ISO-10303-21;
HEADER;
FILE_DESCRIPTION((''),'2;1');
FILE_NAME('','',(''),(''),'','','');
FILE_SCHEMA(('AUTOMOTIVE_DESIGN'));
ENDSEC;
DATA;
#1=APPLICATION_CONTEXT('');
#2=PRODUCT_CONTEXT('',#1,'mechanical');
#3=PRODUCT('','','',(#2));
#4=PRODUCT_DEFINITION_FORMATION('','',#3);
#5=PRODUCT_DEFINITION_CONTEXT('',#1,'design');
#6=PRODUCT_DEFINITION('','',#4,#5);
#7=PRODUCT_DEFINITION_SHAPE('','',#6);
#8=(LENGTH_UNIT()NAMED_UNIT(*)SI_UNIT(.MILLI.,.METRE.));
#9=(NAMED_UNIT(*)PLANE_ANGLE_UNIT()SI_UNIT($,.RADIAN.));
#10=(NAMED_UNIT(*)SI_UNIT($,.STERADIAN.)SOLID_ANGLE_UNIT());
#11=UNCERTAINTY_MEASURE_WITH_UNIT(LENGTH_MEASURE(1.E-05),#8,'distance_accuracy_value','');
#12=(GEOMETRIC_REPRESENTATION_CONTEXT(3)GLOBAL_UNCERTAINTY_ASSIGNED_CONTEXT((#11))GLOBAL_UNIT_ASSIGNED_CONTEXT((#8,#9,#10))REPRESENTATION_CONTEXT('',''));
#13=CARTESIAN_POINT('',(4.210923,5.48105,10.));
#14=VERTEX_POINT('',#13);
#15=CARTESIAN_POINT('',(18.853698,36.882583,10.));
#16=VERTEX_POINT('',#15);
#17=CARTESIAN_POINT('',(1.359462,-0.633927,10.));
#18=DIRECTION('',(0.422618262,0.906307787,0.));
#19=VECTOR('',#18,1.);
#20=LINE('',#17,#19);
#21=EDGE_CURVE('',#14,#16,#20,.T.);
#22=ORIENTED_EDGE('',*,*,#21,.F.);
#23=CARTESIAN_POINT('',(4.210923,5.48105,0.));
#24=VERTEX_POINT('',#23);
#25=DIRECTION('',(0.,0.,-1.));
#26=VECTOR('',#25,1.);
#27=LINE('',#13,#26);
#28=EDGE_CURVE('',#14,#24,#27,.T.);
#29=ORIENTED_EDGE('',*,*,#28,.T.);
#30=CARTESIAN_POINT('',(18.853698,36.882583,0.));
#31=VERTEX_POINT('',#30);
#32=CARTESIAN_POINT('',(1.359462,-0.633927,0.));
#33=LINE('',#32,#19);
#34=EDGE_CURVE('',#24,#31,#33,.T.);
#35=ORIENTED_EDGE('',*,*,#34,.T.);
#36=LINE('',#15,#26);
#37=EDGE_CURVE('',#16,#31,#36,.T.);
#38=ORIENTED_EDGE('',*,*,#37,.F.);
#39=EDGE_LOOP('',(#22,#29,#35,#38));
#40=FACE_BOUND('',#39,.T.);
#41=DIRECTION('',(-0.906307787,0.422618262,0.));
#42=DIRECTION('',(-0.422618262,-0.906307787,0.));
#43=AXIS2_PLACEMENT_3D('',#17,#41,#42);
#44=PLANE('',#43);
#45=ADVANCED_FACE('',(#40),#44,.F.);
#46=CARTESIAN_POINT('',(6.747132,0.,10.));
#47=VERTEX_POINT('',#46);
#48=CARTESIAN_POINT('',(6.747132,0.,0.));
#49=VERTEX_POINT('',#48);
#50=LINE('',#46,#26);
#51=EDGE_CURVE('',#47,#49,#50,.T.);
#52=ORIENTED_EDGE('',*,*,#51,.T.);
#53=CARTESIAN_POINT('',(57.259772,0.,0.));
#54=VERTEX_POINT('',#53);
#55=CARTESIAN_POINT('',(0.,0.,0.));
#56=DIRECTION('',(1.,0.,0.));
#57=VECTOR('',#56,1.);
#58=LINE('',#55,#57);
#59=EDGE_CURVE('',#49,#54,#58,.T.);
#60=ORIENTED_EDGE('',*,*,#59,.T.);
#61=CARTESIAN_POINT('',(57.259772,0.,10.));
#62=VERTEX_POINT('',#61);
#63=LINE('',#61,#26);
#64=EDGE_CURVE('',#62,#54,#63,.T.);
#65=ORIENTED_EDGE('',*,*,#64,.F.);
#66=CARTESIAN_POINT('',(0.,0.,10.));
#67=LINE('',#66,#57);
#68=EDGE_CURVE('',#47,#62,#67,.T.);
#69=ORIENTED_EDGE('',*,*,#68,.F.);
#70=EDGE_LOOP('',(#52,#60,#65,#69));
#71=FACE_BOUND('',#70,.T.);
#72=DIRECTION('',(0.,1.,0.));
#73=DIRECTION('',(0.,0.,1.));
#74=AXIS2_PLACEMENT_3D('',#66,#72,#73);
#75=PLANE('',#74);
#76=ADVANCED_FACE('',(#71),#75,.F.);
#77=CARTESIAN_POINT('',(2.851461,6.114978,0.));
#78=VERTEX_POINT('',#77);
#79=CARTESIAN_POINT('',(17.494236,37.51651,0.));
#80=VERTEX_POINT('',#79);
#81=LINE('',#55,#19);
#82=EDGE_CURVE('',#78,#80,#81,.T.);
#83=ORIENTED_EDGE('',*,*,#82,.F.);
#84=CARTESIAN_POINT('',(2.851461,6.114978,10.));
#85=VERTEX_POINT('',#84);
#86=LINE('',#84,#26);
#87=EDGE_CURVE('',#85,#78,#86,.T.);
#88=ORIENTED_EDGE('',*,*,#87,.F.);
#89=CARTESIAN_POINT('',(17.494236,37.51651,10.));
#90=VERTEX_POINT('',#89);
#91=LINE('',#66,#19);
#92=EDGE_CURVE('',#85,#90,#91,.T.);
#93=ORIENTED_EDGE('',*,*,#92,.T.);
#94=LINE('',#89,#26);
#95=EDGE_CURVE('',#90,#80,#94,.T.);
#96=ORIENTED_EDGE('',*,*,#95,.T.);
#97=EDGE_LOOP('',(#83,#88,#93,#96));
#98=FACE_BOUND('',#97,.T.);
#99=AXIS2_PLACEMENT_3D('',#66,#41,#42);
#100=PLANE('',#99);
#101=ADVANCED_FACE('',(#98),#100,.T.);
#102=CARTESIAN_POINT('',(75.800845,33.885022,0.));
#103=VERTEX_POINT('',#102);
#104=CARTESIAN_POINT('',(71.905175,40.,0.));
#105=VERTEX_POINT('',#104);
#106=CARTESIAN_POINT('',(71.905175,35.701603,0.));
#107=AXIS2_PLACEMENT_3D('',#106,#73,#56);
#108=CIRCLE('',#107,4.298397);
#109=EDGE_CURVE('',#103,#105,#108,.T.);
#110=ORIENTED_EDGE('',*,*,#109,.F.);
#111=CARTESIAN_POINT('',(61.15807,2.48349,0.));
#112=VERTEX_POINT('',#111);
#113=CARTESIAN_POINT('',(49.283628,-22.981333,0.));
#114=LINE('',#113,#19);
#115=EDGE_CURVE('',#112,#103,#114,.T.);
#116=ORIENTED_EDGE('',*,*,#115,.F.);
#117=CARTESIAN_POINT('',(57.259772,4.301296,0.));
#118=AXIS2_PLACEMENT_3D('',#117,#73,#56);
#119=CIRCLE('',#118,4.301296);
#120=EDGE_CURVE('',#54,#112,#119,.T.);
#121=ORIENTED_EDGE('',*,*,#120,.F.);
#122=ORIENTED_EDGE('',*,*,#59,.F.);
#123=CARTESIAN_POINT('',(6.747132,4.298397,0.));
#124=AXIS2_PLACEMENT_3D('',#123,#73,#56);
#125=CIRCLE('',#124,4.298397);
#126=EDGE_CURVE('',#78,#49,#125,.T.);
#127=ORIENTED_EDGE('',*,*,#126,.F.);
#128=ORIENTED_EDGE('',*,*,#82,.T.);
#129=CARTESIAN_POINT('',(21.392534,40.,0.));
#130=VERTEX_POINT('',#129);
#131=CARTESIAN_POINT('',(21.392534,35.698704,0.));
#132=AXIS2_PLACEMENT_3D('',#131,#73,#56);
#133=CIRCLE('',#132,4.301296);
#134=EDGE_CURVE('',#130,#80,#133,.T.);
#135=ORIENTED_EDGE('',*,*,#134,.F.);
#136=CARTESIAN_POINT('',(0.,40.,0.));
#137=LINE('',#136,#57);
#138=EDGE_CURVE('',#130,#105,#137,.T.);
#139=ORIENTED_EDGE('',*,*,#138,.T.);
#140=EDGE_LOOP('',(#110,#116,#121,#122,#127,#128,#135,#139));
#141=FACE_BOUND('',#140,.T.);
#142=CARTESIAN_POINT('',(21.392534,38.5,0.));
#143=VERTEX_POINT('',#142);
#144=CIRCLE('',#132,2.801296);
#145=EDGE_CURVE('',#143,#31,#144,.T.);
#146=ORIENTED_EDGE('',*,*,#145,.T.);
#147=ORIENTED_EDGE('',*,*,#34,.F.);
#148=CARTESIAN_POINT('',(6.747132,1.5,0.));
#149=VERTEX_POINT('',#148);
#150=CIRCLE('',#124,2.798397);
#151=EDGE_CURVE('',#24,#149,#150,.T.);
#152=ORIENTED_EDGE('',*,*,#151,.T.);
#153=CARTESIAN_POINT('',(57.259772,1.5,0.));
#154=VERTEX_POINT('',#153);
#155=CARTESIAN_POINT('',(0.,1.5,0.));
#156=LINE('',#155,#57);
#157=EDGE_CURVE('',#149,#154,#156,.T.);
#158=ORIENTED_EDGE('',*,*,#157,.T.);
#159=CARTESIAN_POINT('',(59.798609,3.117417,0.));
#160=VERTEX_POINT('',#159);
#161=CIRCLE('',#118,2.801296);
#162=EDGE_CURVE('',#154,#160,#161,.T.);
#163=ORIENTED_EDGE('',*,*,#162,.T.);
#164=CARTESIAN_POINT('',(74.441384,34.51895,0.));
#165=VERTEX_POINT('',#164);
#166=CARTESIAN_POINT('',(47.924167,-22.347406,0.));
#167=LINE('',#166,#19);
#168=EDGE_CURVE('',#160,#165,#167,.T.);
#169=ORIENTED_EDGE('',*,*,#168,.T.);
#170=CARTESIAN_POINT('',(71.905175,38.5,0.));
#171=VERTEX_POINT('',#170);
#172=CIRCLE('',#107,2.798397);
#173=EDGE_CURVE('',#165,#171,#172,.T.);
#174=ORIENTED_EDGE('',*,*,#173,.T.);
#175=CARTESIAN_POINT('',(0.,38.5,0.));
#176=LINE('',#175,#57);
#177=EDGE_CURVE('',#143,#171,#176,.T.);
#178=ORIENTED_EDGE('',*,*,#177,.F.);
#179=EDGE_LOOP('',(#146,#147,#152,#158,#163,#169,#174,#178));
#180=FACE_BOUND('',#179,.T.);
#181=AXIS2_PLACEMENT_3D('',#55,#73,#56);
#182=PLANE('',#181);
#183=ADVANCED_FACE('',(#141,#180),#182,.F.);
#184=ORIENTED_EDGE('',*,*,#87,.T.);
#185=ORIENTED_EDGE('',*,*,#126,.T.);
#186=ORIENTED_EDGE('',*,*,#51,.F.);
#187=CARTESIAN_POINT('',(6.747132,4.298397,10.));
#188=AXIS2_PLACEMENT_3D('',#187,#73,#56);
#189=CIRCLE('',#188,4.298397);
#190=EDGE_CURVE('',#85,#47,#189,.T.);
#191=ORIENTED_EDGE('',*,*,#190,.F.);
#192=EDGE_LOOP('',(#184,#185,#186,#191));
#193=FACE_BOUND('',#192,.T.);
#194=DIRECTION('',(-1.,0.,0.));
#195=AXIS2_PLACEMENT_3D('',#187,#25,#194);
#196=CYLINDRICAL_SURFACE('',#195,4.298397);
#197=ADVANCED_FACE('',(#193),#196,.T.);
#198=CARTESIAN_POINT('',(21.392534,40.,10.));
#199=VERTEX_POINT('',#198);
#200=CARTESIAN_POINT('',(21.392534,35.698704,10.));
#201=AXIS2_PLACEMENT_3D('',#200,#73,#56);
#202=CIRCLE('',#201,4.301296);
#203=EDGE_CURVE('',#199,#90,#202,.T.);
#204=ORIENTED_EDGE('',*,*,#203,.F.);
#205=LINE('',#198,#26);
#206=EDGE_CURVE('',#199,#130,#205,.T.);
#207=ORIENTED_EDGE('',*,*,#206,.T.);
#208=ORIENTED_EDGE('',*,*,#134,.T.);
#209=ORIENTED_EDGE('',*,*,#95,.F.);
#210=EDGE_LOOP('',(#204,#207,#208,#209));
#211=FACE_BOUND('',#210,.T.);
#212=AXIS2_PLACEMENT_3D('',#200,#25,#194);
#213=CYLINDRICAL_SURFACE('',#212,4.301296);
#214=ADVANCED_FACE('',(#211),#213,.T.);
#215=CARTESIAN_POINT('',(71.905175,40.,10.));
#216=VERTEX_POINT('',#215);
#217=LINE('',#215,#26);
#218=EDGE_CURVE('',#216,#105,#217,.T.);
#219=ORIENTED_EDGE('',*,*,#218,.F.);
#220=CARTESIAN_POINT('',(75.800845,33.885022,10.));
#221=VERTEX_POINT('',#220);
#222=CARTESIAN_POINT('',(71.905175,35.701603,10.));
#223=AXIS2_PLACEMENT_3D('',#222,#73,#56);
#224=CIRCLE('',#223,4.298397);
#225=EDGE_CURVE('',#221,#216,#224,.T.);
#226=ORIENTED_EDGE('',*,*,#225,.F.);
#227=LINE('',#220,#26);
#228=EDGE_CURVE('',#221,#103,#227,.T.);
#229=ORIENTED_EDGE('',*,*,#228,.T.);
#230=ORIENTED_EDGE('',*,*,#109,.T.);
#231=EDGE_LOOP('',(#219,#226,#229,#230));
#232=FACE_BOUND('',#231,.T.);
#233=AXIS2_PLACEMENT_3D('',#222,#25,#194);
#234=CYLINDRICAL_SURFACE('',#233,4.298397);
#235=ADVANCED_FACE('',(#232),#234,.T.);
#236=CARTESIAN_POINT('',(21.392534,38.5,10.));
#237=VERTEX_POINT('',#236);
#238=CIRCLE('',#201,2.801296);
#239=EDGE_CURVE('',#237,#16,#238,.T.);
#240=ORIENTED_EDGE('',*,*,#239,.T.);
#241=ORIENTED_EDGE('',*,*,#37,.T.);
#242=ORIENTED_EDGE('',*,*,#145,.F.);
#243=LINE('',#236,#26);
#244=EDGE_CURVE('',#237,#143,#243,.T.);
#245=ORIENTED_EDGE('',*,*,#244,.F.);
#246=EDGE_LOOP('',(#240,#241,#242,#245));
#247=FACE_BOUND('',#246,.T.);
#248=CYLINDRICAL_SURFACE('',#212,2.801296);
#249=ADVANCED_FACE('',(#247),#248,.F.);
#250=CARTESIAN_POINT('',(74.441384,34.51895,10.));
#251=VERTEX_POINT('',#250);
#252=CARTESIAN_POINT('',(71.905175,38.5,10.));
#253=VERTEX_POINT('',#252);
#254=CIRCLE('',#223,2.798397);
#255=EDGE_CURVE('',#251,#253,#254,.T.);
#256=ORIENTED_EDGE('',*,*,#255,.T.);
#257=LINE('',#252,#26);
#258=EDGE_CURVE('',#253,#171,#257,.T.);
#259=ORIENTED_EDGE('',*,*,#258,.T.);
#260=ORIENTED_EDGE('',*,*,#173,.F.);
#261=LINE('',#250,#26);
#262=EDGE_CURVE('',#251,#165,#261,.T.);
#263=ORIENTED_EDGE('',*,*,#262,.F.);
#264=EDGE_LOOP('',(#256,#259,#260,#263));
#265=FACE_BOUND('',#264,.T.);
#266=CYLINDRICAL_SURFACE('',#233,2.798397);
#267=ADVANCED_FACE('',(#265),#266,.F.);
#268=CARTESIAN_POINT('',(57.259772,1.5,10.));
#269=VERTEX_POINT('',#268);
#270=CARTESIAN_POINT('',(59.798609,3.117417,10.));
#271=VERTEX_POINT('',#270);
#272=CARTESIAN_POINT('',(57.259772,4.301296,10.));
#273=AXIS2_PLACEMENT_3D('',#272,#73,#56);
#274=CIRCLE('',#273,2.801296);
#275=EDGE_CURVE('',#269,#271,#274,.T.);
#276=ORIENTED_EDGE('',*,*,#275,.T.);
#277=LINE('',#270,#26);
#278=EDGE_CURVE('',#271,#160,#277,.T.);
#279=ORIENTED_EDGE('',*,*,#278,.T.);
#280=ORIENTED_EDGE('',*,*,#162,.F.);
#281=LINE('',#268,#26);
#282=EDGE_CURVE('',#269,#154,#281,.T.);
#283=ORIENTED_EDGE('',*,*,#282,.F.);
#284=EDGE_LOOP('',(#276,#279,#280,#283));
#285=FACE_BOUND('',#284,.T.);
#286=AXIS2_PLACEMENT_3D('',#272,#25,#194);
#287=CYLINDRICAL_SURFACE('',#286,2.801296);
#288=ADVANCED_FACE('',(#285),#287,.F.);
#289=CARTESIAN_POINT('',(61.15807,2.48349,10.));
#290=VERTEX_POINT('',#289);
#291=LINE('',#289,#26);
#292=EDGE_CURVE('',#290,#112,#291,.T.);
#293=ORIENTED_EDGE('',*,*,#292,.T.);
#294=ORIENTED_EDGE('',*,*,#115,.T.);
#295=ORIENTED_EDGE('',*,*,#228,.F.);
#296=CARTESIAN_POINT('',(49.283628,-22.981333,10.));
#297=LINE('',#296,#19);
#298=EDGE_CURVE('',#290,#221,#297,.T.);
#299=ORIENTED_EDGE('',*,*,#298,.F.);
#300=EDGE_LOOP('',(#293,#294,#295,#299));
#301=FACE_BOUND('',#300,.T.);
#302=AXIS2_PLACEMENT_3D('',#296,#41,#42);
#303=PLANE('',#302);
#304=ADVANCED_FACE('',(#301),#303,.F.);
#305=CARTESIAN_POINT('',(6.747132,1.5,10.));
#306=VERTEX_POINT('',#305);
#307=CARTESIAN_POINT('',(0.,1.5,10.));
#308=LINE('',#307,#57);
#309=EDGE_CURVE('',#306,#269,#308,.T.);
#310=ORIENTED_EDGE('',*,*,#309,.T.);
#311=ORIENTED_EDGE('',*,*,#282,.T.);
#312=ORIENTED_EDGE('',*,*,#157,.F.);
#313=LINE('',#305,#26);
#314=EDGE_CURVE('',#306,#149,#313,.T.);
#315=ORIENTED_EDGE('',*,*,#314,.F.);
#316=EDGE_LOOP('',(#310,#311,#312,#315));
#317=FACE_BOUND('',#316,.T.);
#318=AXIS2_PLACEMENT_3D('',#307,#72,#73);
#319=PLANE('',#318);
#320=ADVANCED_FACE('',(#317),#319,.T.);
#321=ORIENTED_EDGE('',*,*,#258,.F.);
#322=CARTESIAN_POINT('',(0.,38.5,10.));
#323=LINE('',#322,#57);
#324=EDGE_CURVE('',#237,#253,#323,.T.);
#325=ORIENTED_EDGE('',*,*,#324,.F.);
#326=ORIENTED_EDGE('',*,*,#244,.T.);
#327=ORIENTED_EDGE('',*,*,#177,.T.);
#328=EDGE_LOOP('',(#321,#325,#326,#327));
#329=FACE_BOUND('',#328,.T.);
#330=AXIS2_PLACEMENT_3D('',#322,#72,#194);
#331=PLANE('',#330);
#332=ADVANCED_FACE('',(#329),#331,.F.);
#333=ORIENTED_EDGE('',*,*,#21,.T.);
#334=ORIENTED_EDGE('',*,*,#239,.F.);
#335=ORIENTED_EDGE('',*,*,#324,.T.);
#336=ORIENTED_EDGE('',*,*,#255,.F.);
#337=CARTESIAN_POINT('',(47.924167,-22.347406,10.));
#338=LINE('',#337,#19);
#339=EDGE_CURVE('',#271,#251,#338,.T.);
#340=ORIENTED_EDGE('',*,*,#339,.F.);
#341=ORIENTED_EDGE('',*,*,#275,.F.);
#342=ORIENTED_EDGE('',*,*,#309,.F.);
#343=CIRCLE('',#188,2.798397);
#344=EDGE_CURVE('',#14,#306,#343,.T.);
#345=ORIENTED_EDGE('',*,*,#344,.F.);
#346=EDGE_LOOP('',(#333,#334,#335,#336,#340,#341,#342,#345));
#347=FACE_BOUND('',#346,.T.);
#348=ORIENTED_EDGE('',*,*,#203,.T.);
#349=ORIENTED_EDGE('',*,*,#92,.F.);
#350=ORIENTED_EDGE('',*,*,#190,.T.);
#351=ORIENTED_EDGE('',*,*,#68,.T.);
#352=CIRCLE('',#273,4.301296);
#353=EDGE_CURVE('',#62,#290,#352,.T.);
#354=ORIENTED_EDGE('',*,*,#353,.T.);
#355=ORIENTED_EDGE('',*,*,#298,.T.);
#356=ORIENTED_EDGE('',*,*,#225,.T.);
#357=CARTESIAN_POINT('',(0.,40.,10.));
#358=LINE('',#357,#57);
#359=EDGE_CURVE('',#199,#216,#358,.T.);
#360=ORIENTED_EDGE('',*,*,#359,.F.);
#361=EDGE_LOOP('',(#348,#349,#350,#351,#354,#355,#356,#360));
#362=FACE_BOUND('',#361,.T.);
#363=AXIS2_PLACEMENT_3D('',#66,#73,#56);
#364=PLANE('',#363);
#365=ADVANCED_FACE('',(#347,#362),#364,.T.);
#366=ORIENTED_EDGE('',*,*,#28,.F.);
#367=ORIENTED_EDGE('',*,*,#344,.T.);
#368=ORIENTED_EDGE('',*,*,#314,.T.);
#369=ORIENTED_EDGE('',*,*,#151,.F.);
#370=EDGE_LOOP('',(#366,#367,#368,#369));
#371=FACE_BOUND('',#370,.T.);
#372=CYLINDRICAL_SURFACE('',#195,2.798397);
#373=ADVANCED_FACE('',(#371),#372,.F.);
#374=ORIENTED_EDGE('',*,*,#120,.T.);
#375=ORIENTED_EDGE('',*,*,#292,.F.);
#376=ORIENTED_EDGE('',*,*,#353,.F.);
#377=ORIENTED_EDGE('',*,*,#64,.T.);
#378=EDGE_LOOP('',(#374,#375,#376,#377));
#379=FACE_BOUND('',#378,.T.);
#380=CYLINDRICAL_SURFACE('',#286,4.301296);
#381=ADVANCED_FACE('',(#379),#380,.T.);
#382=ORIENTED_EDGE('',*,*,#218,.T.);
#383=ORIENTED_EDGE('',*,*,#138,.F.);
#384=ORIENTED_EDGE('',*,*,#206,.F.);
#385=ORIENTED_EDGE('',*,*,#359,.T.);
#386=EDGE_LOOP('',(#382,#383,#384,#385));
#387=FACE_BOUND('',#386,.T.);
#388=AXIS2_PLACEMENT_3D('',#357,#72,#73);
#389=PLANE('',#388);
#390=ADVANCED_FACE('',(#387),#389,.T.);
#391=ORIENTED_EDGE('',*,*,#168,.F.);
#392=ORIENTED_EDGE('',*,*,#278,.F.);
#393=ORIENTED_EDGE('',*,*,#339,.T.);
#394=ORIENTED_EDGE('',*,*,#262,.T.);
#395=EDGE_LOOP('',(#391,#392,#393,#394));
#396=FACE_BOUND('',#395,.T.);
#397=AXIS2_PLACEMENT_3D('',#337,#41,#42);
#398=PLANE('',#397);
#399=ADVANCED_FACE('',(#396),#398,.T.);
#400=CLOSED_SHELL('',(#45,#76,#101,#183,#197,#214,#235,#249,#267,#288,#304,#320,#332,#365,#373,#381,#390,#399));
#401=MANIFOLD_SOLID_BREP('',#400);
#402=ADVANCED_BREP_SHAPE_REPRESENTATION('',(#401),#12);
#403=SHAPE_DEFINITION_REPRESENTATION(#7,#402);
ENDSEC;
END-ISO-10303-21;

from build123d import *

# Parameters (mm, degrees)
BOSS_EXTRUDE1_DEPTH = 10


with BuildPart() as part:
    # Sketch1 → Boss-Extrude1 (new body)
    with BuildSketch(Plane.XY):
        with BuildLine():
            Line((6.747131567, 0), (57.259771997, 0))
            ThreePointArc((57.259771997, 0), (59.570856854, 0.673619806), (61.158070395, 2.483489977))
            Line((61.158070395, 2.483489977), (75.800845312, 33.885022121))
            ThreePointArc((75.800845312, 33.885022121), (75.530405908, 38.011130086), (71.90517476, 40))
            Line((71.90517476, 40), (21.392534329, 40))
            ThreePointArc((21.392534329, 40), (19.081449472, 39.326380194), (17.494235931, 37.516510023))
            Line((17.494235931, 37.516510023), (2.851461014, 6.114977879))
            ThreePointArc((2.851461014, 6.114977879), (3.121900418, 1.988869914), (6.747131567, 0))
        make_face()
        with BuildLine():
            ThreePointArc((4.210922695, 5.481050486), (4.386987587, 2.794819326), (6.747131567, 1.5))
            Line((6.747131567, 1.5), (57.259771997, 1.5))
            ThreePointArc((57.259771997, 1.5), (58.764907442, 1.938706975), (59.798608715, 3.11741737))
            Line((59.798608715, 3.11741737), (74.441383631, 34.518949514))
            ThreePointArc((74.441383631, 34.518949514), (74.265318739, 37.205180674), (71.90517476, 38.5))
            Line((71.90517476, 38.5), (21.392534329, 38.5))
            ThreePointArc((21.392534329, 38.5), (19.887398884, 38.061293025), (18.853697612, 36.88258263))
            Line((18.853697612, 36.88258263), (4.210922695, 5.481050486))
        make_face(mode=Mode.SUBTRACT)
    extrude(amount=BOSS_EXTRUDE1_DEPTH)


solid = part.part
